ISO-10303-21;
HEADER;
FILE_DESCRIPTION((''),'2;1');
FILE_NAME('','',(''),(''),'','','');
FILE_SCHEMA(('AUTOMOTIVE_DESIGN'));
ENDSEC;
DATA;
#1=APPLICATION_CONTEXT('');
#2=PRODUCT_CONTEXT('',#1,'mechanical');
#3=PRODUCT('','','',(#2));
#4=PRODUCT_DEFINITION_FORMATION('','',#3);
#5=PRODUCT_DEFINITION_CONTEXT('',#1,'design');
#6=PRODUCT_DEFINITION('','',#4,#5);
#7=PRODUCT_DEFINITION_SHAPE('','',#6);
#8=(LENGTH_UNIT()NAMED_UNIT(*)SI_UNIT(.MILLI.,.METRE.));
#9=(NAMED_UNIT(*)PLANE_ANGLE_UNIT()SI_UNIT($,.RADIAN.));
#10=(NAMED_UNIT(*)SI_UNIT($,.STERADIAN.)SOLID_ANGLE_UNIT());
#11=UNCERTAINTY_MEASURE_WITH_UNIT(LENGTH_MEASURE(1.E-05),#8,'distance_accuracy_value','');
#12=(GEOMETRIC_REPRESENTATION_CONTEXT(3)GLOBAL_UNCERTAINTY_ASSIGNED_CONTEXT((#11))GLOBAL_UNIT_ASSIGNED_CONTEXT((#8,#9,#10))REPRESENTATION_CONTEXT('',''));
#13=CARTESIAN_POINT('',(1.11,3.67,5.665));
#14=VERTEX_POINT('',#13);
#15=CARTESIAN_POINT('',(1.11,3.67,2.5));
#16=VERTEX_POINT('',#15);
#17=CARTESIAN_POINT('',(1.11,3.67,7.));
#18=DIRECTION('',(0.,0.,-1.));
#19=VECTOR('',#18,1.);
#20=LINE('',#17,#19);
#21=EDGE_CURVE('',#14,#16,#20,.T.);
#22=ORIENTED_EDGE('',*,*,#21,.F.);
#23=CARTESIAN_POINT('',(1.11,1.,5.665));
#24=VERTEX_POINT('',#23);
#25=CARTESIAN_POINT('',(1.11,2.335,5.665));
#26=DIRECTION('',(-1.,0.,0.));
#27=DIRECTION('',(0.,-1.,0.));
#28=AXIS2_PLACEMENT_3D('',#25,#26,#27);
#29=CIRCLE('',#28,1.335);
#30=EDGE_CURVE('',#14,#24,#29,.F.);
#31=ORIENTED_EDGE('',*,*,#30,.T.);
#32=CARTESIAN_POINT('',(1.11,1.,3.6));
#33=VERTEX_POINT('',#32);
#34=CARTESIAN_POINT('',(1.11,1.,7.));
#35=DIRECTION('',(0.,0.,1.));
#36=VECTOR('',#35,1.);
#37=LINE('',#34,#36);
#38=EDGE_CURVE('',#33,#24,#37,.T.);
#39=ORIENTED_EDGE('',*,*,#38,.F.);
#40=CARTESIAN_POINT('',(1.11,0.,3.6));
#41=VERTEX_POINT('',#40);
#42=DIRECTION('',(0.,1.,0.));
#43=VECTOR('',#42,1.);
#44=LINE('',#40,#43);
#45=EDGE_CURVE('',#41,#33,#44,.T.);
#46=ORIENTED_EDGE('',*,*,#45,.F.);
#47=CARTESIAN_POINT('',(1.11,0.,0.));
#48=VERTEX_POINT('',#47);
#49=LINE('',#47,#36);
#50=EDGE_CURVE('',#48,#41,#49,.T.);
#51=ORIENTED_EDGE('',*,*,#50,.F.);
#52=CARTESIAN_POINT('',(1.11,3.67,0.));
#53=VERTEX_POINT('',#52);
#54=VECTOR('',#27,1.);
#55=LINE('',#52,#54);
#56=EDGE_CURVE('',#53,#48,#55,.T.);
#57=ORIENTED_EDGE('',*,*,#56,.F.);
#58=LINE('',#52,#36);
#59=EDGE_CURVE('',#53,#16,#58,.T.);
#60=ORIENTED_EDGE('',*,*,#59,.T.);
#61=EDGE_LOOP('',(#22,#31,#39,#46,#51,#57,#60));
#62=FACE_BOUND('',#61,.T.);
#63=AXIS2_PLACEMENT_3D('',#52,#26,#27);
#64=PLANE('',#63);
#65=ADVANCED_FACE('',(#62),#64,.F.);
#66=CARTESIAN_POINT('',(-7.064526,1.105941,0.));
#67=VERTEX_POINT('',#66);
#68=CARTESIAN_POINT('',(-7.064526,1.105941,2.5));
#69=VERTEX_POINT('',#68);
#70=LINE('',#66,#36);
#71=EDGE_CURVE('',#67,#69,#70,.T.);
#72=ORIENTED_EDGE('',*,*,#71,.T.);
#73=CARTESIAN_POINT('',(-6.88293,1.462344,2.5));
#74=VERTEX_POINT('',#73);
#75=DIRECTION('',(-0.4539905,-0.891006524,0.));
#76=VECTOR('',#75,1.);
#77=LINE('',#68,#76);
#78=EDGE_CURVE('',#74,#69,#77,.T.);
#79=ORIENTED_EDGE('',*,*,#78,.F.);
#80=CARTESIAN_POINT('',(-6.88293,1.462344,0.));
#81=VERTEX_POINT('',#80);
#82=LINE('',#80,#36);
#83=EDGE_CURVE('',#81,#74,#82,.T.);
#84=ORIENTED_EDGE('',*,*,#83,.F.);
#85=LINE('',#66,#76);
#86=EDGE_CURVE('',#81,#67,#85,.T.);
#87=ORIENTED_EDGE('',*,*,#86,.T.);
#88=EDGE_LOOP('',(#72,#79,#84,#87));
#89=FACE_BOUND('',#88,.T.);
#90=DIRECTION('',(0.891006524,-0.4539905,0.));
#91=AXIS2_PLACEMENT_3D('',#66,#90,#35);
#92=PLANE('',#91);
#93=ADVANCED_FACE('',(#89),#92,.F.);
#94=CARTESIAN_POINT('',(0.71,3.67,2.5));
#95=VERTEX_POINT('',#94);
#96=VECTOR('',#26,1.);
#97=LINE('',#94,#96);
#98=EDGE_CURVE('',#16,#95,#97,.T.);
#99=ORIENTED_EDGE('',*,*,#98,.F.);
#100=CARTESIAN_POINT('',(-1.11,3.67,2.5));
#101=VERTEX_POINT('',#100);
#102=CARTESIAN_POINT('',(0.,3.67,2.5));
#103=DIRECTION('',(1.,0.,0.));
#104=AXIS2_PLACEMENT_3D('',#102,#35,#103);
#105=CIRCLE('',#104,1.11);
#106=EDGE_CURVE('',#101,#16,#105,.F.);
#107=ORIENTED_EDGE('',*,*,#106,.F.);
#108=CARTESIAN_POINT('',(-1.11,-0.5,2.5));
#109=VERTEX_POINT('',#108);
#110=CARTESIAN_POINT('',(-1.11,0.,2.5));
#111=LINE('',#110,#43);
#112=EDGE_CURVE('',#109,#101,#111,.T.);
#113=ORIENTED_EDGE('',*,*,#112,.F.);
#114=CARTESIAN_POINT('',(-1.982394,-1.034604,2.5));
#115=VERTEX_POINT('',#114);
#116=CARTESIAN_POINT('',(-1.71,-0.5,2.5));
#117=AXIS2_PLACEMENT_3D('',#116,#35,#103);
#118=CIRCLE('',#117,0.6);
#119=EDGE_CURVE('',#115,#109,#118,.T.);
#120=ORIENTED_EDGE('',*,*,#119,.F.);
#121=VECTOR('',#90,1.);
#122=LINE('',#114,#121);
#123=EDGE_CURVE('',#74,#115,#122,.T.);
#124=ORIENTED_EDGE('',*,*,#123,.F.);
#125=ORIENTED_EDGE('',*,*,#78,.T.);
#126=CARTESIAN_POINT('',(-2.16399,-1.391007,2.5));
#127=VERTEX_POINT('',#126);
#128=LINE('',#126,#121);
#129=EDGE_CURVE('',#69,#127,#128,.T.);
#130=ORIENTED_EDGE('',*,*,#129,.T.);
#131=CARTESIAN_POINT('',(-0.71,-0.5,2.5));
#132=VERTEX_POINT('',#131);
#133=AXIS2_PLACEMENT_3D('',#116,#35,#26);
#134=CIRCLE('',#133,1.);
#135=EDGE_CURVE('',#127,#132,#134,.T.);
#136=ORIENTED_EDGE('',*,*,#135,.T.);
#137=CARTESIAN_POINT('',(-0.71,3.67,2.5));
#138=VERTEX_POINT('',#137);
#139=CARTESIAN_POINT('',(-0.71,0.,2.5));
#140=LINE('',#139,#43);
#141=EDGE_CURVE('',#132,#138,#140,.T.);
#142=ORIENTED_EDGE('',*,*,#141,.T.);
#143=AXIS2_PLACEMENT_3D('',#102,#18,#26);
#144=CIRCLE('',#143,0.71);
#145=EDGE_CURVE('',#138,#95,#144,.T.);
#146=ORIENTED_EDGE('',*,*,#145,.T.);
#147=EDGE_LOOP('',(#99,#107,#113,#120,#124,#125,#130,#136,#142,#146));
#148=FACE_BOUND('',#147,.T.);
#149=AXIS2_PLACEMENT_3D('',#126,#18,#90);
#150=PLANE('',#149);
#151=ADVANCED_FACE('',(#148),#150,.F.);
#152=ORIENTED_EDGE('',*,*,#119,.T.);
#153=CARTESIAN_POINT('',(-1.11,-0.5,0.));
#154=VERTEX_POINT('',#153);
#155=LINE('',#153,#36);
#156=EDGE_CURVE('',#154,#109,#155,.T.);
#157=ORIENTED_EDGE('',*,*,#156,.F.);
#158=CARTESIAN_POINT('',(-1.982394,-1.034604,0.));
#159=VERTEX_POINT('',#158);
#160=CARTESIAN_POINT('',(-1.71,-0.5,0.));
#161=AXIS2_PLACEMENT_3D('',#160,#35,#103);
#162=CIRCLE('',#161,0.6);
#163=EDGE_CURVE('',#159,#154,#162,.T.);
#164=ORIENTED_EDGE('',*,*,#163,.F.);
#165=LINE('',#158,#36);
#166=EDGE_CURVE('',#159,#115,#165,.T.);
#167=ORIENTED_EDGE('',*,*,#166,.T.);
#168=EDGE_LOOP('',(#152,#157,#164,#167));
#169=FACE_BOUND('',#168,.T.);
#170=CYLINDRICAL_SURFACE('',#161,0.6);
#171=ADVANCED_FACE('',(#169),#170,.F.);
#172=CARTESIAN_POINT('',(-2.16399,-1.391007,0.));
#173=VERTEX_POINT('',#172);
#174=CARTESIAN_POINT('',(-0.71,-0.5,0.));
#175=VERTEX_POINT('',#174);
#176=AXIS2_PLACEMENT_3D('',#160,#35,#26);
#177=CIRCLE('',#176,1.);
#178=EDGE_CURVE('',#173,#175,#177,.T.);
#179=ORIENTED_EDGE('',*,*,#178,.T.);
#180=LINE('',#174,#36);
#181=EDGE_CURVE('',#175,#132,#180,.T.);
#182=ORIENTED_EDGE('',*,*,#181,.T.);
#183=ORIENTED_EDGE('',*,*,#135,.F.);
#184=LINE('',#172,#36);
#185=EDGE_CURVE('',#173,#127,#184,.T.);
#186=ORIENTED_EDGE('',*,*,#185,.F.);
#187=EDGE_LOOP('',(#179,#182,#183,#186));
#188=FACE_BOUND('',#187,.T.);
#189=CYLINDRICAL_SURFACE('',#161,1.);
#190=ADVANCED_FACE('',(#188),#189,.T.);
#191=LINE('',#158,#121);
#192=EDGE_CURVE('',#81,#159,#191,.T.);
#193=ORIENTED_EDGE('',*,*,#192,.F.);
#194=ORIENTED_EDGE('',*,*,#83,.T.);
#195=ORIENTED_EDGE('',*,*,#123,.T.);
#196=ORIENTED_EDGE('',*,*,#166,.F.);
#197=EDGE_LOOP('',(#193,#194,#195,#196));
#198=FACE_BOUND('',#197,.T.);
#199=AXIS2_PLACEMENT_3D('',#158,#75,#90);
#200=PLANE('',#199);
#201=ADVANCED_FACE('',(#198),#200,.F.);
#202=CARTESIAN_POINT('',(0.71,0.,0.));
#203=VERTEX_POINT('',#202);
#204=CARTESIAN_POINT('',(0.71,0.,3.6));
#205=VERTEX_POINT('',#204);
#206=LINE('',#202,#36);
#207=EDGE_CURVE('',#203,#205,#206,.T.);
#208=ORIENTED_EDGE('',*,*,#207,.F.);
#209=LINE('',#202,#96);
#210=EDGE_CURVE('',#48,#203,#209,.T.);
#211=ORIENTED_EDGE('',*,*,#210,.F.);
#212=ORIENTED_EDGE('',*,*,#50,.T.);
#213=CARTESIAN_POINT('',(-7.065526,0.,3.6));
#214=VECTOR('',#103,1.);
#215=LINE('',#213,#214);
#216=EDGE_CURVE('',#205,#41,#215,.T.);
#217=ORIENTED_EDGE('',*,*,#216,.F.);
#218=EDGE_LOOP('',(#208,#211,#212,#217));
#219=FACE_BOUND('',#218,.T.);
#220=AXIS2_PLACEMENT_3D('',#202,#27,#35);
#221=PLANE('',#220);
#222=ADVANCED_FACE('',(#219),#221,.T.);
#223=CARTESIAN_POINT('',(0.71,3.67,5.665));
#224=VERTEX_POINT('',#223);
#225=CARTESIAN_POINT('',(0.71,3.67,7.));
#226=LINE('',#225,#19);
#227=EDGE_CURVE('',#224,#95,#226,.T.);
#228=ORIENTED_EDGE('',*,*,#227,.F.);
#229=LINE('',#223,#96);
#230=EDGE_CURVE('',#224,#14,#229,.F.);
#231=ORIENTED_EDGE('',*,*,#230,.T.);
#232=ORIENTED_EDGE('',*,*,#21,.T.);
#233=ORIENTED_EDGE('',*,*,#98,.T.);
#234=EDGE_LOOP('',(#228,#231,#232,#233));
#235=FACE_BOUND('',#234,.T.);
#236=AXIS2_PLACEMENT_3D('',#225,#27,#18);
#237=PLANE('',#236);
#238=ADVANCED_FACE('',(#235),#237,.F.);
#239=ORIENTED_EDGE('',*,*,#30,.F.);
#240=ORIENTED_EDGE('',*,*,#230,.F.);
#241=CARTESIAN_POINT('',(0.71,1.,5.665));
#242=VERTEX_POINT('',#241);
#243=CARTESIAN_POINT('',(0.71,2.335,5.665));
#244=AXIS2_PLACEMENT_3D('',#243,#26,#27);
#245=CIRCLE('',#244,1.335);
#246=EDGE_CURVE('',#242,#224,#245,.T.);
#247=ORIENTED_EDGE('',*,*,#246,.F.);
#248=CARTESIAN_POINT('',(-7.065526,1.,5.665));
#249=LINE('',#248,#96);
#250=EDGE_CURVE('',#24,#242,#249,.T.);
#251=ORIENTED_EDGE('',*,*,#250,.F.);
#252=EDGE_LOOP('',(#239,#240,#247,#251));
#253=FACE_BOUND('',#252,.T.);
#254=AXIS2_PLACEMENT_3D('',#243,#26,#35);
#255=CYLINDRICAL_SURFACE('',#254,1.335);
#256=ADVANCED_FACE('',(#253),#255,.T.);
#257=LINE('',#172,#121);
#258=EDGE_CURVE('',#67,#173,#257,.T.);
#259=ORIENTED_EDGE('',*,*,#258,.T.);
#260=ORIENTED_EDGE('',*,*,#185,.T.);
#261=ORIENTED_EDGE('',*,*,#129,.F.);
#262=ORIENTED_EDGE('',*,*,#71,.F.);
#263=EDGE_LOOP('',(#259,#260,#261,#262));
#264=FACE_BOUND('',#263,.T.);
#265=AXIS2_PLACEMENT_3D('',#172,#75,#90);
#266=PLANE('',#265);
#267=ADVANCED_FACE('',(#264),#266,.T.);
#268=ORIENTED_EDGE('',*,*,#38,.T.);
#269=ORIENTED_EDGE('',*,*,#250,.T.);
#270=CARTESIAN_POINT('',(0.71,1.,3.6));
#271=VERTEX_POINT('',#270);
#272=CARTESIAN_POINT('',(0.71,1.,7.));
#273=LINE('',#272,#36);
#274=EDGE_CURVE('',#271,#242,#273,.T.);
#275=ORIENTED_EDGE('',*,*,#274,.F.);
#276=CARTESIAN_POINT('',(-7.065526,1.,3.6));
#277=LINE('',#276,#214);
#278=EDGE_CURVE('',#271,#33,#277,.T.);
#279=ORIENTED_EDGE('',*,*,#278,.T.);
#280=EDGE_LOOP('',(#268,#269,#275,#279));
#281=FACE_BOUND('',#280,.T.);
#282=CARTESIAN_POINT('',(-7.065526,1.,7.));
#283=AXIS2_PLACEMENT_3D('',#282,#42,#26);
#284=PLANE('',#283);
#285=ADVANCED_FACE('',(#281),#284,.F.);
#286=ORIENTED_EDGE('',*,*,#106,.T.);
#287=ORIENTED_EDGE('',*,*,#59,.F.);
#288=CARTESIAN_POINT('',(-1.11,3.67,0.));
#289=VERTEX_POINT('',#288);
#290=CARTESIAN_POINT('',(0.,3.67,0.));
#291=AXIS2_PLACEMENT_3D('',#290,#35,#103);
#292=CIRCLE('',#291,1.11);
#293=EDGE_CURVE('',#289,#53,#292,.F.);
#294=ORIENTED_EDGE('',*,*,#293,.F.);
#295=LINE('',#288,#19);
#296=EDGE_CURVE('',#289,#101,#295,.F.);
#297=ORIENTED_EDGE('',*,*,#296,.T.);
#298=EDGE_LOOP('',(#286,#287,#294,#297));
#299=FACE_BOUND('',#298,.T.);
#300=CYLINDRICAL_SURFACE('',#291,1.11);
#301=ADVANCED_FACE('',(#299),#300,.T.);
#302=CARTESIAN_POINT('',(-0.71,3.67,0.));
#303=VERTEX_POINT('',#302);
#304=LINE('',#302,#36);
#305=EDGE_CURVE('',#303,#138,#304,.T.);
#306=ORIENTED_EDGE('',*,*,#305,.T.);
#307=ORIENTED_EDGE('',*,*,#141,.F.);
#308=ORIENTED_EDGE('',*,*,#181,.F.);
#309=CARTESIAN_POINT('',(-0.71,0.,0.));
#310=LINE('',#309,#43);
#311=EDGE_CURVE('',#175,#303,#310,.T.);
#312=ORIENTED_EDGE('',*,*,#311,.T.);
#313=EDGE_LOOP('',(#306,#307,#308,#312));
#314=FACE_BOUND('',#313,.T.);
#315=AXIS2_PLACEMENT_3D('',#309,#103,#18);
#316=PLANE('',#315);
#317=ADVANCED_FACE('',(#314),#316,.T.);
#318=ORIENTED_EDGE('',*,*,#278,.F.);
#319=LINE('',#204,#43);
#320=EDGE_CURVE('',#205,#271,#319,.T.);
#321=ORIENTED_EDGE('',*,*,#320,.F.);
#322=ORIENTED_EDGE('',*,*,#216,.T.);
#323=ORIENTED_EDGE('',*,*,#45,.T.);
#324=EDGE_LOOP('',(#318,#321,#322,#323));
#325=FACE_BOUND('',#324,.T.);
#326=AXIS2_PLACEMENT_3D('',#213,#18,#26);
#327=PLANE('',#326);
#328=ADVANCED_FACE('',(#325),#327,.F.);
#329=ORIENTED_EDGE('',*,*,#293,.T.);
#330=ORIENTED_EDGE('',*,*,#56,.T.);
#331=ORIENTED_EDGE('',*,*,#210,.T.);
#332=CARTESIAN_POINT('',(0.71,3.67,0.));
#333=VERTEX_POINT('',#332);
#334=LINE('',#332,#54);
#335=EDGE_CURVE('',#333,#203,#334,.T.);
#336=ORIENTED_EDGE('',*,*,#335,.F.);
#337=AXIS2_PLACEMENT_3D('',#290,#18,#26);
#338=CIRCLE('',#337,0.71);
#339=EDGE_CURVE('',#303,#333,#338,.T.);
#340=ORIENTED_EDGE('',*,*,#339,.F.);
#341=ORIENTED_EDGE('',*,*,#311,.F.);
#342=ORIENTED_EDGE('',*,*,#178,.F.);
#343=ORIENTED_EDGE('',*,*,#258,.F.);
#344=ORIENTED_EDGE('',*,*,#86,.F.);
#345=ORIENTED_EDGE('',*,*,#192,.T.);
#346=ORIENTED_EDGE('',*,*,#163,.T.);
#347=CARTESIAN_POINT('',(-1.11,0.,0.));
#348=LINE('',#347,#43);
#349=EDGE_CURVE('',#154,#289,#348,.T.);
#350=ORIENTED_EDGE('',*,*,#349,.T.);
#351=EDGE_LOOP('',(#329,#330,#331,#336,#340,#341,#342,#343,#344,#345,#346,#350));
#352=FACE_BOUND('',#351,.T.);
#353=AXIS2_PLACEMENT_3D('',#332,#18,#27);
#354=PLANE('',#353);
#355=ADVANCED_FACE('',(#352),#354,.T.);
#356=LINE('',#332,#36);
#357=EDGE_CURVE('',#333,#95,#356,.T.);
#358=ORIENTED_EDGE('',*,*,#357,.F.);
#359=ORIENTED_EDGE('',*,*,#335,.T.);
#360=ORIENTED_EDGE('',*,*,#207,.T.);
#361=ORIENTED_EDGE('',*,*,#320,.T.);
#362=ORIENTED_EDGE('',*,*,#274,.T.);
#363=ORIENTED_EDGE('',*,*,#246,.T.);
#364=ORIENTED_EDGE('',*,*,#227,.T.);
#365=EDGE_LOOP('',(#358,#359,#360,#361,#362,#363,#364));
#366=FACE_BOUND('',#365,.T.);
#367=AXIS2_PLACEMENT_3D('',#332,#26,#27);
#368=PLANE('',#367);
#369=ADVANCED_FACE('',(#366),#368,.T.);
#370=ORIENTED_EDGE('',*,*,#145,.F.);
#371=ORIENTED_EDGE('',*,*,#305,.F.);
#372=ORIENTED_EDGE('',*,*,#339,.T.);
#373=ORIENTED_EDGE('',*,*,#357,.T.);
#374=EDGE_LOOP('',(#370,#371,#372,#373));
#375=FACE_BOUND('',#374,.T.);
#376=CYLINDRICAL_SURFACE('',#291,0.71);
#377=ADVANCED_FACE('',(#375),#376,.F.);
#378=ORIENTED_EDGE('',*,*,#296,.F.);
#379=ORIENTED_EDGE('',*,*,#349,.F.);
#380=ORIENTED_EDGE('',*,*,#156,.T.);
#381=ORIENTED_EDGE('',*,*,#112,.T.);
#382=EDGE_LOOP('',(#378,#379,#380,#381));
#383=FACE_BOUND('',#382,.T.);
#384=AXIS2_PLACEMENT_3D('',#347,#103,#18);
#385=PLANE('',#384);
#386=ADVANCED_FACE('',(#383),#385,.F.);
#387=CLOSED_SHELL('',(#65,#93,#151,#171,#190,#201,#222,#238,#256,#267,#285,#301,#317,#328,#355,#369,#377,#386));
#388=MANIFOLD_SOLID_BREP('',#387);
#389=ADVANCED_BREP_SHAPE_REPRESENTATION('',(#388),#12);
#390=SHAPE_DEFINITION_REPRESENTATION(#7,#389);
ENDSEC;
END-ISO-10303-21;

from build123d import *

# Parameters (mm, degrees)
SURFACE_EXTRUDE1_1_DEPTH = 2.5
THICKEN1_T1              = 0.4
SKETCH2_W                = 0.4
SKETCH2_H                = 3.67
BOSS_EXTRUDE1_DEPTH      = 4.5
CUT_EXTRUDE1_REACH       = 13.776
SKETCH3_W                = 3.4
SKETCH3_H                = 1
FILLET2_RADIUS           = 1.335
FILLET2_LENGTH           = 0.4


with BuildPart() as body_1:
    # Surface-Extrude1: a surface, the sketch's curves swept straight by 2.5 mm
    with BuildLine(Plane.XY, mode=Mode.PRIVATE) as surface_extrude1_1_path:
        Line((-7.064526383, 1.105941224), (-2.1639905, -1.391006524))
        ThreePointArc((-2.1639905, -1.391006524), (-1.187501435, -1.352640164), (-0.71, -0.5))
        Line((-0.71, -0.5), (-0.71, 0))
        Line((-0.71, 0), (-0.71, 3.67))
        ThreePointArc((-0.71, 3.67), (0, 4.38), (0.71, 3.67))
        Line((0.71, 3.67), (0.71, 0))
    surface_extrude1_1 = Shell.extrude(surface_extrude1_1_path.wire(), (0 * SURFACE_EXTRUDE1_1_DEPTH, 0 * SURFACE_EXTRUDE1_1_DEPTH, 1 * SURFACE_EXTRUDE1_1_DEPTH))
    add(Solid.thicken(surface_extrude1_1, THICKEN1_T1))

    # Sketch2 → Boss-Extrude1 (add)
    with BuildSketch(Plane.XY.offset(2.5)):
        with Locations((0.91, 1.835)):
            Rectangle(SKETCH2_W, SKETCH2_H)
    extrude(amount=BOSS_EXTRUDE1_DEPTH)

    # Sketch3 → Cut-Extrude1 (cut, up to next)
    with BuildSketch(Plane(origin=(1.11, 0, 0), x_dir=(0, 0, -1), z_dir=(1, 0, 0)), mode=Mode.PRIVATE) as cut_extrude1_sk1:
        with Locations((-5.3, 0.5)):
            Rectangle(SKETCH3_W, SKETCH3_H)
    cut_extrude1_tool1 = extrude(cut_extrude1_sk1.sketch, amount=-CUT_EXTRUDE1_REACH, mode=Mode.PRIVATE) & body_1.part
    add(cut_extrude1_tool1.solids().sort_by_distance((1.11, 0.5, 5.3))[0], mode=Mode.SUBTRACT)

    # Fillet2: full round fillet: the end face becomes a half cylinder, R = half its width
    fillet2_face = Plane((0.91, 2.335, 7), x_dir=(-1, 0, 0), z_dir=(0, 0, 1))  # on the end face: x along it, z out of the body
    fillet2_slab = fillet2_face.offset(-FILLET2_RADIUS / 2) * Box(FILLET2_LENGTH, 2 * FILLET2_RADIUS, FILLET2_RADIUS, mode=Mode.PRIVATE)  # the body's end, R deep
    fillet2_round = Plane((0.91, 2.335, 5.665), x_dir=(0, 0, 1), z_dir=(-1, 0, 0)) * Cylinder(FILLET2_RADIUS, FILLET2_LENGTH, mode=Mode.PRIVATE)  # its axis R under the face
    add(fillet2_slab - fillet2_round, mode=Mode.SUBTRACT)


solid = body_1.part
